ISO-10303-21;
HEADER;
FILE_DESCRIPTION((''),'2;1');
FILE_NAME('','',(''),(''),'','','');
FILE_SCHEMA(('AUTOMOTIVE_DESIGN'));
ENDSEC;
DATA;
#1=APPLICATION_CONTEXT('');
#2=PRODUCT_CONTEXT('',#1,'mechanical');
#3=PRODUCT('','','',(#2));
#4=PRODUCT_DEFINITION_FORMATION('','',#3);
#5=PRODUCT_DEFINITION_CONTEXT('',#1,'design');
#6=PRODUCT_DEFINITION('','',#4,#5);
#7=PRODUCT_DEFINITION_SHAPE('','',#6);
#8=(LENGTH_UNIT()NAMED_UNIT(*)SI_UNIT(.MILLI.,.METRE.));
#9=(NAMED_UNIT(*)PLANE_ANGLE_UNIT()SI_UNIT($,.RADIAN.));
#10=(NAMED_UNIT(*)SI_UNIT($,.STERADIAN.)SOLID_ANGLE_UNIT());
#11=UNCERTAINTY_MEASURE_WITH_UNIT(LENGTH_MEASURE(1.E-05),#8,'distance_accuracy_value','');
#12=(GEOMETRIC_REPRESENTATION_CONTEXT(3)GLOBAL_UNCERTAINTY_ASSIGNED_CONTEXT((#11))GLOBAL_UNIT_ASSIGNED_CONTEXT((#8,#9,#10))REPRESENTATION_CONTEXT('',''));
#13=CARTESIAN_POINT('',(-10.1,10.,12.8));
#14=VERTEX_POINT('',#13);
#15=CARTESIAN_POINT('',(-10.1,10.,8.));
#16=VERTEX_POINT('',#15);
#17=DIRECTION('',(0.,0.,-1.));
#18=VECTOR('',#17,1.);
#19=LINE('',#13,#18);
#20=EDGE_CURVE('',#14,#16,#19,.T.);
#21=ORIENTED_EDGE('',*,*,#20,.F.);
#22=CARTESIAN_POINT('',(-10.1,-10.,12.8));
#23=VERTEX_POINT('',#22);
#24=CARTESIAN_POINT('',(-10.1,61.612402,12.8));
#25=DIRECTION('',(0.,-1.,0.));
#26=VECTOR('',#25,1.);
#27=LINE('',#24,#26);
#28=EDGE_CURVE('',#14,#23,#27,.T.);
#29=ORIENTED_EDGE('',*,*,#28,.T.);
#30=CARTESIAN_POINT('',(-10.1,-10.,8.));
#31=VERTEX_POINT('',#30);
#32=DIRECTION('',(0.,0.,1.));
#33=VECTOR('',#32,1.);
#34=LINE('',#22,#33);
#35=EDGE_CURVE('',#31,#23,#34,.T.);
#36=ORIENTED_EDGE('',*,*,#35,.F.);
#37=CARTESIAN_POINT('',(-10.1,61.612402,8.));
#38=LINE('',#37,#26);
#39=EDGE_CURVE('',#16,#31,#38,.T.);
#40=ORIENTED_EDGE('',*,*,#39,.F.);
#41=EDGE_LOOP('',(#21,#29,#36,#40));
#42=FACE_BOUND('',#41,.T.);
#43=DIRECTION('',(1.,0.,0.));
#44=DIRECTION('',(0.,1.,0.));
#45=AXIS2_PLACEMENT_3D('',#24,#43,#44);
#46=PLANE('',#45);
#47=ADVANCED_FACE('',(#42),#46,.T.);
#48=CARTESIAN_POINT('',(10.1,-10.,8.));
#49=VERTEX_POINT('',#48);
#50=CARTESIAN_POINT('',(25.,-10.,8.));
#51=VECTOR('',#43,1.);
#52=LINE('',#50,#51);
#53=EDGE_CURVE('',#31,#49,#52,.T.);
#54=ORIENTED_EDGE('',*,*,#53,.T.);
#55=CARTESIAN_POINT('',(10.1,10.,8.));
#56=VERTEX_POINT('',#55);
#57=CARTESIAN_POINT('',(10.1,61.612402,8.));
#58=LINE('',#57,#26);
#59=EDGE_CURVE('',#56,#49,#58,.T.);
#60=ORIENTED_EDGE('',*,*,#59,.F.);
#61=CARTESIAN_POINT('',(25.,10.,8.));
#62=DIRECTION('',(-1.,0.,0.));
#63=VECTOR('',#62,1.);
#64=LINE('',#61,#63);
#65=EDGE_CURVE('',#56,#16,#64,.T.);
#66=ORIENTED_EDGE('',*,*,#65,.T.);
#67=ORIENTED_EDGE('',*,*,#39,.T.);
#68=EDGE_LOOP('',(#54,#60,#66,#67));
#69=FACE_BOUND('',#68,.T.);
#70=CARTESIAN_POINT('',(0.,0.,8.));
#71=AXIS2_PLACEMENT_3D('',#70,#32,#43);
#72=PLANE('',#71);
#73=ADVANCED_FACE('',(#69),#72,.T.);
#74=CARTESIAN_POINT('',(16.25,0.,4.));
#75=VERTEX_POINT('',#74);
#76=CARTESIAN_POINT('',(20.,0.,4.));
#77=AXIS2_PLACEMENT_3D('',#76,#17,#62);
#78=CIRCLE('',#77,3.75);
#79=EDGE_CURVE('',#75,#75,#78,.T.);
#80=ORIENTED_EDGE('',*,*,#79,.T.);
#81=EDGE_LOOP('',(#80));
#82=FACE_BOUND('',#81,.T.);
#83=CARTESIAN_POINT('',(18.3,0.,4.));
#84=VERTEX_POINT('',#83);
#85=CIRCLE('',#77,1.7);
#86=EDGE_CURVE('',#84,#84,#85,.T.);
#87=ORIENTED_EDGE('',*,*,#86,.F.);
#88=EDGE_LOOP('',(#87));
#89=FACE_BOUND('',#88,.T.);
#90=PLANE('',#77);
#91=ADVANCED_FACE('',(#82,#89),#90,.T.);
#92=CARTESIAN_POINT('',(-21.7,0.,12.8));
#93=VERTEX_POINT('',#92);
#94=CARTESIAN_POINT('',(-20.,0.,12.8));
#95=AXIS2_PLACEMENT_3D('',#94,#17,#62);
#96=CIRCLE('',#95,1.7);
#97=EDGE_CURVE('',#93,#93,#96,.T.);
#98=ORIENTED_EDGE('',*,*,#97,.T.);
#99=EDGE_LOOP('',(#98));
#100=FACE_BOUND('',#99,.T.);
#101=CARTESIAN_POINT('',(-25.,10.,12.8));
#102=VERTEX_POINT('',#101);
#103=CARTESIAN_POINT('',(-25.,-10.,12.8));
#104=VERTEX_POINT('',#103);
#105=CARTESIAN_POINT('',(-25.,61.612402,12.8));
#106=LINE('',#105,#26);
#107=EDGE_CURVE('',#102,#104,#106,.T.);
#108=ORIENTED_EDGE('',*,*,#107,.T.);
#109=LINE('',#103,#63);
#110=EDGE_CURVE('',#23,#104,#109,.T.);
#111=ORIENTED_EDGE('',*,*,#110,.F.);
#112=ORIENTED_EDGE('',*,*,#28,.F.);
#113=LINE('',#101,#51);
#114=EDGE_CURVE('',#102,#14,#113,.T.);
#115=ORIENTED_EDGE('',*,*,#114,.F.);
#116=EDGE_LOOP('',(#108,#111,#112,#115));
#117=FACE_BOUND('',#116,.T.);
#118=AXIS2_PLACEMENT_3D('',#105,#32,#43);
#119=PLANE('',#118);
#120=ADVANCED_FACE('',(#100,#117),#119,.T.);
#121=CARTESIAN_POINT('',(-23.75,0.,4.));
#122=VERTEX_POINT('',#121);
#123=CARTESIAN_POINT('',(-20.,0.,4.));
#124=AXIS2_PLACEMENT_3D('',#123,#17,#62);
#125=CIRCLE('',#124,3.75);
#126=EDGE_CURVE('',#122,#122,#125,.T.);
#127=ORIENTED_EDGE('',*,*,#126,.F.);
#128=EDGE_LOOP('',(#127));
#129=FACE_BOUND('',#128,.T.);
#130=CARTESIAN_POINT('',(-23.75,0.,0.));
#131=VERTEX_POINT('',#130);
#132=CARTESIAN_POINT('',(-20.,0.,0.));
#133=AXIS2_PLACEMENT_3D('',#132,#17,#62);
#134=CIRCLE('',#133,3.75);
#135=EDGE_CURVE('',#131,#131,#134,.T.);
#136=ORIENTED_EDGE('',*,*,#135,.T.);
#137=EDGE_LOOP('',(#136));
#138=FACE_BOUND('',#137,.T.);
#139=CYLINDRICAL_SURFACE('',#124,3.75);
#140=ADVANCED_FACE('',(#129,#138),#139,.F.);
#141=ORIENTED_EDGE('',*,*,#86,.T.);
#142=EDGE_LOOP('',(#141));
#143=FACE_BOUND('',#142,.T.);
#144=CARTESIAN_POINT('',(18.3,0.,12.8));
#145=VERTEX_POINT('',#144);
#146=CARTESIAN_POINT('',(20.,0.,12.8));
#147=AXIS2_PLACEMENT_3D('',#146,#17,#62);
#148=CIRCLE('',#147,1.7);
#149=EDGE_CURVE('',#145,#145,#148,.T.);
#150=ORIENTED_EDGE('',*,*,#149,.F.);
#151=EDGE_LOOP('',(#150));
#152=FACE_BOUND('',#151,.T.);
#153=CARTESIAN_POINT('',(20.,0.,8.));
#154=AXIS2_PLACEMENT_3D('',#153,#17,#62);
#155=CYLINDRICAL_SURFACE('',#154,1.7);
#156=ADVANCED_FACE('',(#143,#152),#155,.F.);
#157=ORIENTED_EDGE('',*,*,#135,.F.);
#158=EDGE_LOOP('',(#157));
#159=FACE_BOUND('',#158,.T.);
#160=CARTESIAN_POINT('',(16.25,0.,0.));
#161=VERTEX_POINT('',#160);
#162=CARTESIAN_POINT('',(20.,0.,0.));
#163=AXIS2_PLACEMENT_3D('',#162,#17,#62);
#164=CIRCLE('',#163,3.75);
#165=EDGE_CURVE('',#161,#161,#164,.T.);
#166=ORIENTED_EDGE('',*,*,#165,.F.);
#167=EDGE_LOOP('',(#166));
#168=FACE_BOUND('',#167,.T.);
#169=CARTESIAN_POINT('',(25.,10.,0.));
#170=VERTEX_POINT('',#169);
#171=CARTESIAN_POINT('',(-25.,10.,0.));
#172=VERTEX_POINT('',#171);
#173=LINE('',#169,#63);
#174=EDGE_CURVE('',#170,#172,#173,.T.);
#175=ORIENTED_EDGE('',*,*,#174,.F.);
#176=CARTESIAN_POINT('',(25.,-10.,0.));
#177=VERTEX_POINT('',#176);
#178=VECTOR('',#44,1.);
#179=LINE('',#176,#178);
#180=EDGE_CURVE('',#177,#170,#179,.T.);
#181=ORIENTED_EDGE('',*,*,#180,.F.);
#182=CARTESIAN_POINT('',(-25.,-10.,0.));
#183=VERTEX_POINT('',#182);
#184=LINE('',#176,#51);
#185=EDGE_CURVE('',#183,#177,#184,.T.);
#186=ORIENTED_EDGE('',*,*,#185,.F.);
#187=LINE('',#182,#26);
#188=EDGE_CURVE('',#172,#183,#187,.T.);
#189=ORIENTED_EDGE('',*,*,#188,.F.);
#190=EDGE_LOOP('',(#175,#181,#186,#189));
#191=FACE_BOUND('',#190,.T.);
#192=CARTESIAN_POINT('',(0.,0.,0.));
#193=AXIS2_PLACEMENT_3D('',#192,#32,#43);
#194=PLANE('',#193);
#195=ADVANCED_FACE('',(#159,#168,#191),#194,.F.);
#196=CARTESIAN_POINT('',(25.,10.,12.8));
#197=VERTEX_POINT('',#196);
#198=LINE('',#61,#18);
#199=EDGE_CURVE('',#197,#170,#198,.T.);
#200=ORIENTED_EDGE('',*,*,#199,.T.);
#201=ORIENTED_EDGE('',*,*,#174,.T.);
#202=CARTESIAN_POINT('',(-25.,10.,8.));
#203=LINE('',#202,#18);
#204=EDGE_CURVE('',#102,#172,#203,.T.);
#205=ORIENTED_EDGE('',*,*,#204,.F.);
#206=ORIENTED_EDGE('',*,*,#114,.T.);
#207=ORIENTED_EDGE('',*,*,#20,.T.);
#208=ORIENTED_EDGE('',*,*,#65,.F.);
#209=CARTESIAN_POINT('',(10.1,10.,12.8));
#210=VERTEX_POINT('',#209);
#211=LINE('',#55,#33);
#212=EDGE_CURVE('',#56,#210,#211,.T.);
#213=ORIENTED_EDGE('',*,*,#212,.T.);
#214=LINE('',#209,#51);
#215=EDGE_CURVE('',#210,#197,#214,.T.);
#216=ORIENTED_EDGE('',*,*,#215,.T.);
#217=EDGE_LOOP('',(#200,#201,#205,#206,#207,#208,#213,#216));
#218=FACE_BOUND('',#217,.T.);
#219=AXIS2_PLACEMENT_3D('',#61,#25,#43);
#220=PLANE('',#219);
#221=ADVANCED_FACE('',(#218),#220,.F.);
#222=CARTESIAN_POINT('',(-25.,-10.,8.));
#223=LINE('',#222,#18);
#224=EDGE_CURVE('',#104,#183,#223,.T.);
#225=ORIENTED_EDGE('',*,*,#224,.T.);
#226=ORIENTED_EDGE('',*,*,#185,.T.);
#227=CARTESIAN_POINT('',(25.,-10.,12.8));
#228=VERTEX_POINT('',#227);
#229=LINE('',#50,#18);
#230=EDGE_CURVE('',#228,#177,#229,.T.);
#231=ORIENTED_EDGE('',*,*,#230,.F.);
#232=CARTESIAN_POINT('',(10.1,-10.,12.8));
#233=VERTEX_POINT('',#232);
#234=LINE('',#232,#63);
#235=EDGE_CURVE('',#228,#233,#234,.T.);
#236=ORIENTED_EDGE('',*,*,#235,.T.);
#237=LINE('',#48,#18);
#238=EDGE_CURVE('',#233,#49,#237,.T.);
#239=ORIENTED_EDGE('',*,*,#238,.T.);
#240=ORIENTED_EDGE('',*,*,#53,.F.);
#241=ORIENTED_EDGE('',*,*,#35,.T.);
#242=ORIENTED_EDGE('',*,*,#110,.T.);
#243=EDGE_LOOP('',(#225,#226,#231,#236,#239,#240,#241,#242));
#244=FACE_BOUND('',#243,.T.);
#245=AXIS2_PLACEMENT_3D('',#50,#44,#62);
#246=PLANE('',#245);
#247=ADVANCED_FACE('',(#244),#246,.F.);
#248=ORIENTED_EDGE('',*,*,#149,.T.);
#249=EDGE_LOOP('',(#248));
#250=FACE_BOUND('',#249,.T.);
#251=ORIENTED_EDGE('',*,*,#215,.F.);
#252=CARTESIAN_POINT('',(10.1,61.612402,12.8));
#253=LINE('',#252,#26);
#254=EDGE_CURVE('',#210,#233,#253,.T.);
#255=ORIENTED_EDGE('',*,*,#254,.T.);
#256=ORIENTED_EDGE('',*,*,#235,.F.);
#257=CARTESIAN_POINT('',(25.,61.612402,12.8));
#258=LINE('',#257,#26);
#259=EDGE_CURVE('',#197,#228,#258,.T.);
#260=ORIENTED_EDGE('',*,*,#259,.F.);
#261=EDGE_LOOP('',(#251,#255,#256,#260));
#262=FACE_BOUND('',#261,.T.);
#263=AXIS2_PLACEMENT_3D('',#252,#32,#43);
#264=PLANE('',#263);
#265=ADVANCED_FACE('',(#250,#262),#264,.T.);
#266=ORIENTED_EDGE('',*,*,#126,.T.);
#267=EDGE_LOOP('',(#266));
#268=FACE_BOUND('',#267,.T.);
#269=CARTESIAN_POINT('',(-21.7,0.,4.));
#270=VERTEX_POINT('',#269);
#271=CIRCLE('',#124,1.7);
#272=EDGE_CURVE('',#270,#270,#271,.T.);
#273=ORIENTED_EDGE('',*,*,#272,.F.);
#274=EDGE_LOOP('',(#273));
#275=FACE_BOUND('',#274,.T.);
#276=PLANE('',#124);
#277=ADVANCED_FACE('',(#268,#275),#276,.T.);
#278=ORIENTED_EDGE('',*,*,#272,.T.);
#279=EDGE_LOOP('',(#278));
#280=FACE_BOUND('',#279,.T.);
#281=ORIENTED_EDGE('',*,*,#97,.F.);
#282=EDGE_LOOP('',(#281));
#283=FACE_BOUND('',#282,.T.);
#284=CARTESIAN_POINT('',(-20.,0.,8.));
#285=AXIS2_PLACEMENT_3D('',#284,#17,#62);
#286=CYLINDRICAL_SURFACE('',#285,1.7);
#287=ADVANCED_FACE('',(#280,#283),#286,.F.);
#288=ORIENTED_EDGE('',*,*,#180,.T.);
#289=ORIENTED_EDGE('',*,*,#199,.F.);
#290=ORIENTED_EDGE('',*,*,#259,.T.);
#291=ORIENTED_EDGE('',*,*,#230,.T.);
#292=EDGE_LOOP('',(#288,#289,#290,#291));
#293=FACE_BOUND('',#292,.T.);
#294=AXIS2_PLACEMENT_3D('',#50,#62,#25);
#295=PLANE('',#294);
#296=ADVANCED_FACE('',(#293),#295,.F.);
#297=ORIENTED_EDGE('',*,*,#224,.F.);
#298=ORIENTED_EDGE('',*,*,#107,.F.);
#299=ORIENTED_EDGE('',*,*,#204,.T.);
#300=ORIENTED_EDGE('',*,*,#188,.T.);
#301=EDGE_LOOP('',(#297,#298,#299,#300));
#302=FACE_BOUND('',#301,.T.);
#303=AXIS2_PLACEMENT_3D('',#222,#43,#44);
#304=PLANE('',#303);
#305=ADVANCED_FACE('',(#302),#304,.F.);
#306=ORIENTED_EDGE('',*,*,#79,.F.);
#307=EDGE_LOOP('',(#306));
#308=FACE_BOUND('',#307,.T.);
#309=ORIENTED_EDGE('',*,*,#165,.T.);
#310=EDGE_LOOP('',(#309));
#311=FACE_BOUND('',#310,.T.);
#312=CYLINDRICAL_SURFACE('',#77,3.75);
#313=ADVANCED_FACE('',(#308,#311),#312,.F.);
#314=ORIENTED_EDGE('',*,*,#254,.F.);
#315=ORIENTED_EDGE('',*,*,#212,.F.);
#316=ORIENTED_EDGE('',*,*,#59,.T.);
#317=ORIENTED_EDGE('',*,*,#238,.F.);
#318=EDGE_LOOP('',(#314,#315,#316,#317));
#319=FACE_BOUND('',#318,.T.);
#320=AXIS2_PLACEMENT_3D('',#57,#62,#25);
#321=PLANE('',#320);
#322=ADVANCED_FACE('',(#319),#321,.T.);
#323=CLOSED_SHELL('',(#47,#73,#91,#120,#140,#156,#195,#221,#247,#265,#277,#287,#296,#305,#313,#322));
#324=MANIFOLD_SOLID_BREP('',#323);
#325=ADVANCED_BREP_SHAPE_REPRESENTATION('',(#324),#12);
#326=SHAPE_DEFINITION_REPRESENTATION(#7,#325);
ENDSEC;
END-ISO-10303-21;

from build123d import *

# Parameters (mm, degrees)
SKETCH2_W           = 50
SKETCH2_H           = 20
SKETCH2_R           = 1.7
BOSS_EXTRUDE1_DEPTH = 8
BOSS_EXTRUDE2_DEPTH = 20
SKETCH6_R           = 3.75
CUT_EXTRUDE1_DEPTH  = 4
SKETCH7_R           = 1.7
CUT_EXTRUDE2_DEPTH  = 13.8


with BuildPart() as part:
    # Sketch2 → Boss-Extrude1 (new body)
    with BuildSketch(Plane.XY):
        Rectangle(SKETCH2_W, SKETCH2_H)
        with Locations((-20, 0)):
            Circle(SKETCH2_R, mode=Mode.SUBTRACT)
        with Locations((20, 0)):
            Circle(SKETCH2_R, mode=Mode.SUBTRACT)
    extrude(amount=BOSS_EXTRUDE1_DEPTH)

    # Sketch5 → Boss-Extrude2 (add)
    with BuildSketch(Plane.XZ.offset(10)):
        with BuildLine():
            Line((-25, 8), (-25, 12.8))
            Line((-25, 12.8), (-10.1, 12.8))
            Line((-10.1, 12.8), (-10.1, 8))
            Line((-10.1, 8), (10.1, 8))
            Line((10.1, 8), (10.1, 12.8))
            Line((10.1, 12.8), (25, 12.8))
            Line((25, 12.8), (25, 8))
            ThreePointArc((25, 8), (0, 0), (-25, 8))
        make_face()
    extrude(amount=-BOSS_EXTRUDE2_DEPTH)

    # Sketch6 → Cut-Extrude1 (cut)
    with BuildSketch(Plane(origin=(0, 0, 0), x_dir=(-1, 0, 0), z_dir=(0, 0, -1))):
        with Locations((20, 0)):
            Circle(SKETCH6_R)
        with Locations((-20, 0)):
            Circle(SKETCH6_R)
    extrude(amount=-CUT_EXTRUDE1_DEPTH, mode=Mode.SUBTRACT)

    # Sketch7 → Cut-Extrude2 (cut, through all)
    with BuildSketch(Plane(origin=(0, 0, 0), x_dir=(-1, 0, 0), z_dir=(0, 0, -1))):
        with Locations((20, 0)):
            Circle(SKETCH7_R)
        with Locations((-20, 0)):
            Circle(SKETCH7_R)
    extrude(amount=-CUT_EXTRUDE2_DEPTH, mode=Mode.SUBTRACT)


solid = part.part
